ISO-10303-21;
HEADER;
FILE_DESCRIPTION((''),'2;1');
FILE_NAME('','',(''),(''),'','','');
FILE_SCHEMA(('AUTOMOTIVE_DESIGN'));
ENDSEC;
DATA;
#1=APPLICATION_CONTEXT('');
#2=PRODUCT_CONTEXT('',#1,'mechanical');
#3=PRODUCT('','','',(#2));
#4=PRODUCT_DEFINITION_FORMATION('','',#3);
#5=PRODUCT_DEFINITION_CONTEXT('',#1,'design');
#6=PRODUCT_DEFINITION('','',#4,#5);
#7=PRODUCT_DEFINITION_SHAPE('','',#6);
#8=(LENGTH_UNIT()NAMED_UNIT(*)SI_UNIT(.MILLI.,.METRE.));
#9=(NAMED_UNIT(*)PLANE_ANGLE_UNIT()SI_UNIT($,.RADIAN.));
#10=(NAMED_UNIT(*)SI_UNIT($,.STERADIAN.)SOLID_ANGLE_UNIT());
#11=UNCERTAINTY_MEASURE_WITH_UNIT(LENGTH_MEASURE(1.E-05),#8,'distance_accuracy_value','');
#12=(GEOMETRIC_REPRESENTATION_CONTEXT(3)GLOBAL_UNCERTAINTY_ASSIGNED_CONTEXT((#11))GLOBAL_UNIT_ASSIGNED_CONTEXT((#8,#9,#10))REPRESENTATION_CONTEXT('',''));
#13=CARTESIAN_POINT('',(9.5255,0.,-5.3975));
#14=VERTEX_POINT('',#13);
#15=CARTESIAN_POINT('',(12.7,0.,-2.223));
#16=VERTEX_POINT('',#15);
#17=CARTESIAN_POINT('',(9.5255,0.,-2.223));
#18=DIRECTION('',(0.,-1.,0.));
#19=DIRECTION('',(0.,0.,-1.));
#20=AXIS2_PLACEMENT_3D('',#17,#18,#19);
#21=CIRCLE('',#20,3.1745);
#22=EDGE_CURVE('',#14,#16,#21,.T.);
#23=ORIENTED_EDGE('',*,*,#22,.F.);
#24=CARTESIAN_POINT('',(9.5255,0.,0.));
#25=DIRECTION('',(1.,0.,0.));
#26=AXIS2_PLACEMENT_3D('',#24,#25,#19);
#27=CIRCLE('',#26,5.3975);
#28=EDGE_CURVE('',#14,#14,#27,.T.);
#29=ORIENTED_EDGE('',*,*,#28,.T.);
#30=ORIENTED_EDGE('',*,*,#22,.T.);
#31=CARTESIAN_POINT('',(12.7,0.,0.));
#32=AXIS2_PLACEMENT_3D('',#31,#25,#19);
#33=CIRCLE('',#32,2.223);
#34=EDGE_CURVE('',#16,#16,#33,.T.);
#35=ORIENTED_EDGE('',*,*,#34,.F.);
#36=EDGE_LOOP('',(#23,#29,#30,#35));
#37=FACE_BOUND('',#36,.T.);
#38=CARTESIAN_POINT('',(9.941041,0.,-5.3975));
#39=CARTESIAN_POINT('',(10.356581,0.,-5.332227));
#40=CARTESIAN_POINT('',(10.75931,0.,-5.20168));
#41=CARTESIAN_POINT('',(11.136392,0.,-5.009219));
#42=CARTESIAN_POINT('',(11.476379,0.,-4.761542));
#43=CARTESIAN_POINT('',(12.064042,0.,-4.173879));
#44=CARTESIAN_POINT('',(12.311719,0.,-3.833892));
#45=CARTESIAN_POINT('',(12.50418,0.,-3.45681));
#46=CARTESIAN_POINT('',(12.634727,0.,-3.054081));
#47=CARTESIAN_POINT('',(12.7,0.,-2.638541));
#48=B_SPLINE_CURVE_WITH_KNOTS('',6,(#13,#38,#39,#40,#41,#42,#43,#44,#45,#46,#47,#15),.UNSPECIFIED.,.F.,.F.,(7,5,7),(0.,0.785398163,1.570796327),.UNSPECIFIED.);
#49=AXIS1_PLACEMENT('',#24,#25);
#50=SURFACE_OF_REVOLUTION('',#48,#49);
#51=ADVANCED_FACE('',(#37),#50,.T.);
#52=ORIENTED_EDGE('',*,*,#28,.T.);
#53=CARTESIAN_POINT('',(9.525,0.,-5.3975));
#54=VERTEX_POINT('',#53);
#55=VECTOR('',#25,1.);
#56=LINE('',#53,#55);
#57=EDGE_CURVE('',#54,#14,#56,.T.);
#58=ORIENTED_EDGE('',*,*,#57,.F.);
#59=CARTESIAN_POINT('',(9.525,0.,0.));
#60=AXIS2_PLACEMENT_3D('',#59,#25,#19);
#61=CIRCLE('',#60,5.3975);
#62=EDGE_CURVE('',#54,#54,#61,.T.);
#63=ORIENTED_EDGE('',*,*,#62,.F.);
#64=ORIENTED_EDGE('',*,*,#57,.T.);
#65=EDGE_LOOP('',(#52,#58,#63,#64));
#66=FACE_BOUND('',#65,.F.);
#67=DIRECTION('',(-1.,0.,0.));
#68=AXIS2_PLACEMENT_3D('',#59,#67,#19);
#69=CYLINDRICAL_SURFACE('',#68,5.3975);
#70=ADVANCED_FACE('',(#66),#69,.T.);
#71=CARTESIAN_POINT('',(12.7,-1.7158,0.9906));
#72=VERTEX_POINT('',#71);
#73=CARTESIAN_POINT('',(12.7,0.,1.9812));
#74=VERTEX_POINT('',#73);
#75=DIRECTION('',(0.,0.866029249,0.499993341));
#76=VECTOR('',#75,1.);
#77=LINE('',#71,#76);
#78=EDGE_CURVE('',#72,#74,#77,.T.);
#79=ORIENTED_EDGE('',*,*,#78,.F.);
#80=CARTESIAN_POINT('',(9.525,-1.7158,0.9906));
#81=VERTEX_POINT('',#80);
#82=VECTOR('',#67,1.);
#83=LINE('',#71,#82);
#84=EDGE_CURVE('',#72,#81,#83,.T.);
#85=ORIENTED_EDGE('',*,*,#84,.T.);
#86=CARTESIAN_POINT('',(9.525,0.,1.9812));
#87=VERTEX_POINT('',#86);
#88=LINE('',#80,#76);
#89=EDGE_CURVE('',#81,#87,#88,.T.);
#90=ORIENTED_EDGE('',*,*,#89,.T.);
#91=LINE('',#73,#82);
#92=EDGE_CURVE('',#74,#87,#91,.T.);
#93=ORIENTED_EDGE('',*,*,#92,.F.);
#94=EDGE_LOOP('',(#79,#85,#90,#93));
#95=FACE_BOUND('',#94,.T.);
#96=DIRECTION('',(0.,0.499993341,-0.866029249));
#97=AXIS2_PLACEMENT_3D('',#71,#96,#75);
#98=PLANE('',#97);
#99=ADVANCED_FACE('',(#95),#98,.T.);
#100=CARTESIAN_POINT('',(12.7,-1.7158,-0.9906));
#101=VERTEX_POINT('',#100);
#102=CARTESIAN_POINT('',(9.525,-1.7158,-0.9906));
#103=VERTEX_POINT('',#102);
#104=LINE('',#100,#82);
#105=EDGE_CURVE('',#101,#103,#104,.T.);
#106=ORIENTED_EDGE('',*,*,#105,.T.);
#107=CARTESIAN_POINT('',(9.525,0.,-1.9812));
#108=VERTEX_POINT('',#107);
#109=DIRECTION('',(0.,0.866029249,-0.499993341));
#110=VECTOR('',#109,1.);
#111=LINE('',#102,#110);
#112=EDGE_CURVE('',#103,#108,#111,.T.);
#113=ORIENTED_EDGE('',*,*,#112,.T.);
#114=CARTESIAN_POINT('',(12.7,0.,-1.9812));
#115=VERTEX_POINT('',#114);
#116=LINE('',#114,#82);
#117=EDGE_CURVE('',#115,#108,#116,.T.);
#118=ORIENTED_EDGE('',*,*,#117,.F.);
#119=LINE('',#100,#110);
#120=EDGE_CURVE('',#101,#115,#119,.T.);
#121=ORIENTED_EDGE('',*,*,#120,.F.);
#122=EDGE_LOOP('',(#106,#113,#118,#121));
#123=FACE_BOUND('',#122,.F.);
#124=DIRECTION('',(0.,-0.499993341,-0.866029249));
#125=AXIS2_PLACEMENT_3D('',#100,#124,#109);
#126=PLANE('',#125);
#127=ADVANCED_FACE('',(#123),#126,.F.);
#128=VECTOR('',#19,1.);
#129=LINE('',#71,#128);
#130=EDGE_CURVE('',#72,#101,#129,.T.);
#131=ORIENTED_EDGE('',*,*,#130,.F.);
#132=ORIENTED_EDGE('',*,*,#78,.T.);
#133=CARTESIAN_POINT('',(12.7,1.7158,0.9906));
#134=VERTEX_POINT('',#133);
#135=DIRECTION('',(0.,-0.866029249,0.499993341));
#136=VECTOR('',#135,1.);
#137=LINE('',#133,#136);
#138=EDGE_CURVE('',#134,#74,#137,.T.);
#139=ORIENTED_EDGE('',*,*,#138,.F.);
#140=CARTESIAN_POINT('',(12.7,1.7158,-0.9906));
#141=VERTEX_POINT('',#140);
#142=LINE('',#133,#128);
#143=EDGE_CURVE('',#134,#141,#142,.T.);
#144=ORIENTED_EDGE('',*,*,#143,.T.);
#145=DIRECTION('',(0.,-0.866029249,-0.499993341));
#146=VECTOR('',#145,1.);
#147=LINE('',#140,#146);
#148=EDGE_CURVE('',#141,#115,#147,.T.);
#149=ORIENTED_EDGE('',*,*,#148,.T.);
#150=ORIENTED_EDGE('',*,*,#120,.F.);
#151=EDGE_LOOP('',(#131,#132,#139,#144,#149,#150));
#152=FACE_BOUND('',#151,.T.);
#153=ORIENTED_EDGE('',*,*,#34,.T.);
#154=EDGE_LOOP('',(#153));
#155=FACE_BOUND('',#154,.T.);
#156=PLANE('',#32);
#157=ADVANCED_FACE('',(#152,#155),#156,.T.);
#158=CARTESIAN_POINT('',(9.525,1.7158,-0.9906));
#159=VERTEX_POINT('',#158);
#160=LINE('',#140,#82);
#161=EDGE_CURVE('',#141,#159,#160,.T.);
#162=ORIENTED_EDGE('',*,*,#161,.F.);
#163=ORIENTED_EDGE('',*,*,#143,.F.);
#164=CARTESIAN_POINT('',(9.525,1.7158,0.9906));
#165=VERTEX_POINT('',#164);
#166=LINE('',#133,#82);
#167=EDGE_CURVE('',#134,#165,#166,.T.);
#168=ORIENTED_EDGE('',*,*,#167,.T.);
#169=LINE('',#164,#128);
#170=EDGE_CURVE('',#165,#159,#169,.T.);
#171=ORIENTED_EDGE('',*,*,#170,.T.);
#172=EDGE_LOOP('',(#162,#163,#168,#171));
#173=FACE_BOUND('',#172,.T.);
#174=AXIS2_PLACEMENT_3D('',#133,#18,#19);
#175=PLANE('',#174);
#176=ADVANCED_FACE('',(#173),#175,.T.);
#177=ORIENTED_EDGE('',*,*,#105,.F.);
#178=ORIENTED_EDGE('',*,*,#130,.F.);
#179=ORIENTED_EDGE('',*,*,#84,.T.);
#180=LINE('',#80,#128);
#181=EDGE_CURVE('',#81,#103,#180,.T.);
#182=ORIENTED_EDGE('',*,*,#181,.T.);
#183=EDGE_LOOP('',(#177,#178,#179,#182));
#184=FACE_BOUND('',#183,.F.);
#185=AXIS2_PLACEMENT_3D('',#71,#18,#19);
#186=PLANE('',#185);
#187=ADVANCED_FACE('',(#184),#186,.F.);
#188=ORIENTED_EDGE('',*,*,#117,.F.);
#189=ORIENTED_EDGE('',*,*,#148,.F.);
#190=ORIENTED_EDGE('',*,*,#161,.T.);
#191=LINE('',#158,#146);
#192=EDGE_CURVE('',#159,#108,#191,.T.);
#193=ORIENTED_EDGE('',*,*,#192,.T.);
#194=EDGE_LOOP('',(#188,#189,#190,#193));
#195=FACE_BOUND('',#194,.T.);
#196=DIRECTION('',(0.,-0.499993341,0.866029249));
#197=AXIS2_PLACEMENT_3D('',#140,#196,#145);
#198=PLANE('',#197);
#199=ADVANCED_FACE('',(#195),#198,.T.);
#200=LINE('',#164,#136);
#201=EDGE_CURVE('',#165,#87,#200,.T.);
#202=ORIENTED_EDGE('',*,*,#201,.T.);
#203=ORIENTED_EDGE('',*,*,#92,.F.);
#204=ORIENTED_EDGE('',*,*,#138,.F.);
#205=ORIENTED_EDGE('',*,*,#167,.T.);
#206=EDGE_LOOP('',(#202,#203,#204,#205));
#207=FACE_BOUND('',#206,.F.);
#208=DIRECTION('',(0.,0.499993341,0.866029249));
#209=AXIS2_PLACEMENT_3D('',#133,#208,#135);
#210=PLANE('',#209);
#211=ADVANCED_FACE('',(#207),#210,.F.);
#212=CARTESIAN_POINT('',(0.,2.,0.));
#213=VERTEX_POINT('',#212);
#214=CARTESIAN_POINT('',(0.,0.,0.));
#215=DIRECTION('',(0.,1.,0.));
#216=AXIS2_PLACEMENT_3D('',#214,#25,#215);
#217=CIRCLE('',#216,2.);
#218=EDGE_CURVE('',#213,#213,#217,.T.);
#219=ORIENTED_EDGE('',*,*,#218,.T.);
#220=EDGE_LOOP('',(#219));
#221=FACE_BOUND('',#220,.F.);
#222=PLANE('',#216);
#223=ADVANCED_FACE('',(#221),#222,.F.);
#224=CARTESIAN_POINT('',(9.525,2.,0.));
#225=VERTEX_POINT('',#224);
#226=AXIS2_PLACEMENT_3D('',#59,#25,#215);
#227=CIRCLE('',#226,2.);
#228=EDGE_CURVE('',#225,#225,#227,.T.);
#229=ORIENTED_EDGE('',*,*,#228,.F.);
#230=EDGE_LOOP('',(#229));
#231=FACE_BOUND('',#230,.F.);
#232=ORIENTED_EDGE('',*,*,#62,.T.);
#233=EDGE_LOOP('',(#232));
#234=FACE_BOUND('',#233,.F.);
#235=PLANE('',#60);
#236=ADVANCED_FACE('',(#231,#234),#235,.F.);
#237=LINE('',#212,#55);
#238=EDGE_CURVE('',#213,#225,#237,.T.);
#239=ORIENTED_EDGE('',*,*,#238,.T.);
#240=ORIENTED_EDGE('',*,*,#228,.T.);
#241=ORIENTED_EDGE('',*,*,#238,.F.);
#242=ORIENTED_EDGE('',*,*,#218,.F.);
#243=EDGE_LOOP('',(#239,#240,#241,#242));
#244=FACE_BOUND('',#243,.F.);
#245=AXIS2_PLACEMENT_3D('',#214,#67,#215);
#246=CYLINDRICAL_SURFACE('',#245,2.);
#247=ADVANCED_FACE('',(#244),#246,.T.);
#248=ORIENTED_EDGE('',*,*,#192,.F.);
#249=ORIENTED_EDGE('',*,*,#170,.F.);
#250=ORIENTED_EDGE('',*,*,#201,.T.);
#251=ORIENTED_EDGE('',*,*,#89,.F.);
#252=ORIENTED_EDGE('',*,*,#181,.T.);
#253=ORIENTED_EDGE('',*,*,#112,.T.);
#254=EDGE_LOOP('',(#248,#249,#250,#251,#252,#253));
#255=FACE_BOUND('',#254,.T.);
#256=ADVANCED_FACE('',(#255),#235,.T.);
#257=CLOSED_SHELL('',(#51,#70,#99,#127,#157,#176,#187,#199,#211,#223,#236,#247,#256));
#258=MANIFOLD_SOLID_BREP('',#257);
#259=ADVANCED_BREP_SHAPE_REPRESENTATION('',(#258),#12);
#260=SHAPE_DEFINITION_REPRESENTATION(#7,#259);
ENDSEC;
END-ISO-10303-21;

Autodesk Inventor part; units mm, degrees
ref_plane "YZ Plane" through (0, 0, 0) normal (1, 0, 0) x (0, 1, 0)
ref_plane "XZ Plane" through (0, 0, 0) normal (0, 1, 0) x (-1, 0, 0)
ref_plane "XY Plane" through (0, 0, 0) normal (0, 0, 1) x (1, 0, 0)
sketch "Sketch1" plane through (0, 0, 0) normal (1, 0, 0) x (0, 1, 0)
  circle A0 centre (0, 0) radius 2
  dimension "d0" = 4
extrude "Extrusion1" add sketch "Sketch1" along normal blind 9.525
sketch "Sketch2" plane through (9.525, 0, 0) normal (1, 0, 0) x (0, 0, -1)
  circle A0 centre (0, 0) radius 5.3975
  dimension "d3" = 10.795
extrude "Extrusion2" add sketch "Sketch2" along normal blind 3.175
sketch "Sketch3" plane through (12.7, 0, 0) normal (1, 0, 0) x (0, 0, -1)
  line L0 (0, 0) -> (1.9812, 0)
  line L1 (0, 0) -> (-1.9812, 0)
  circle A0 centre (0, 0) radius 2 projected
  line L2 (0, 0) -> (0.9906, 1.7158)
  line L3 (0, 0) -> (1.9812, 0) construction
  line L4 (0.9906, 1.7158) -> (1.9812, 0)
  line L5 (0, 0) -> (-0.9906, 1.7158)
  line L6 (0, 0) -> (1.9812, 0) construction
  line L7 (-0.9906, 1.7158) -> (0.9906, 1.7158)
  line L8 (-0.9906, 1.7158) -> (-1.9812, 0)
  line L9 (0, 0) -> (0.9906, -1.7158)
  line L10 (0, 0) -> (1.9812, 0) construction
  line L11 (0.9906, -1.7158) -> (1.9812, 0)
  line L12 (0, 0) -> (-0.9906, -1.7158)
  line L13 (0, 0) -> (1.9812, 0) construction
  line L14 (-0.9906, -1.7158) -> (0.9906, -1.7158)
  line L15 (-0.9906, -1.7158) -> (-1.9812, 0)
  dimension "d6" = 1.9812
  dimension "d7" = 1.9812
  dimension "d8" = 1.9812
  dimension "d9" = 60
  dimension "d10" = 1.9812
  dimension "d11" = 120
  dimension "d12" = 1.9812
  dimension "d13" = 60
  dimension "d14" = 1.9812
  dimension "d15" = 120
extrude "Extrusion3" cut sketch "Sketch3" against normal blind 3.175 contours L2 L4 L0 | L12 L15 L1 | L5 L7 L2 | L1 L8 L5 | L0 L11 L9 | L9 L14 L12
fillet "Fillet1" radius 3.175 1 edges at (12.7, 0, 5.3975)
thread "Thread1" size "1/4-20 UNC" class "2A" standard "ANSI Unified Screw Threads" full length
properties part number "4M Screw"
